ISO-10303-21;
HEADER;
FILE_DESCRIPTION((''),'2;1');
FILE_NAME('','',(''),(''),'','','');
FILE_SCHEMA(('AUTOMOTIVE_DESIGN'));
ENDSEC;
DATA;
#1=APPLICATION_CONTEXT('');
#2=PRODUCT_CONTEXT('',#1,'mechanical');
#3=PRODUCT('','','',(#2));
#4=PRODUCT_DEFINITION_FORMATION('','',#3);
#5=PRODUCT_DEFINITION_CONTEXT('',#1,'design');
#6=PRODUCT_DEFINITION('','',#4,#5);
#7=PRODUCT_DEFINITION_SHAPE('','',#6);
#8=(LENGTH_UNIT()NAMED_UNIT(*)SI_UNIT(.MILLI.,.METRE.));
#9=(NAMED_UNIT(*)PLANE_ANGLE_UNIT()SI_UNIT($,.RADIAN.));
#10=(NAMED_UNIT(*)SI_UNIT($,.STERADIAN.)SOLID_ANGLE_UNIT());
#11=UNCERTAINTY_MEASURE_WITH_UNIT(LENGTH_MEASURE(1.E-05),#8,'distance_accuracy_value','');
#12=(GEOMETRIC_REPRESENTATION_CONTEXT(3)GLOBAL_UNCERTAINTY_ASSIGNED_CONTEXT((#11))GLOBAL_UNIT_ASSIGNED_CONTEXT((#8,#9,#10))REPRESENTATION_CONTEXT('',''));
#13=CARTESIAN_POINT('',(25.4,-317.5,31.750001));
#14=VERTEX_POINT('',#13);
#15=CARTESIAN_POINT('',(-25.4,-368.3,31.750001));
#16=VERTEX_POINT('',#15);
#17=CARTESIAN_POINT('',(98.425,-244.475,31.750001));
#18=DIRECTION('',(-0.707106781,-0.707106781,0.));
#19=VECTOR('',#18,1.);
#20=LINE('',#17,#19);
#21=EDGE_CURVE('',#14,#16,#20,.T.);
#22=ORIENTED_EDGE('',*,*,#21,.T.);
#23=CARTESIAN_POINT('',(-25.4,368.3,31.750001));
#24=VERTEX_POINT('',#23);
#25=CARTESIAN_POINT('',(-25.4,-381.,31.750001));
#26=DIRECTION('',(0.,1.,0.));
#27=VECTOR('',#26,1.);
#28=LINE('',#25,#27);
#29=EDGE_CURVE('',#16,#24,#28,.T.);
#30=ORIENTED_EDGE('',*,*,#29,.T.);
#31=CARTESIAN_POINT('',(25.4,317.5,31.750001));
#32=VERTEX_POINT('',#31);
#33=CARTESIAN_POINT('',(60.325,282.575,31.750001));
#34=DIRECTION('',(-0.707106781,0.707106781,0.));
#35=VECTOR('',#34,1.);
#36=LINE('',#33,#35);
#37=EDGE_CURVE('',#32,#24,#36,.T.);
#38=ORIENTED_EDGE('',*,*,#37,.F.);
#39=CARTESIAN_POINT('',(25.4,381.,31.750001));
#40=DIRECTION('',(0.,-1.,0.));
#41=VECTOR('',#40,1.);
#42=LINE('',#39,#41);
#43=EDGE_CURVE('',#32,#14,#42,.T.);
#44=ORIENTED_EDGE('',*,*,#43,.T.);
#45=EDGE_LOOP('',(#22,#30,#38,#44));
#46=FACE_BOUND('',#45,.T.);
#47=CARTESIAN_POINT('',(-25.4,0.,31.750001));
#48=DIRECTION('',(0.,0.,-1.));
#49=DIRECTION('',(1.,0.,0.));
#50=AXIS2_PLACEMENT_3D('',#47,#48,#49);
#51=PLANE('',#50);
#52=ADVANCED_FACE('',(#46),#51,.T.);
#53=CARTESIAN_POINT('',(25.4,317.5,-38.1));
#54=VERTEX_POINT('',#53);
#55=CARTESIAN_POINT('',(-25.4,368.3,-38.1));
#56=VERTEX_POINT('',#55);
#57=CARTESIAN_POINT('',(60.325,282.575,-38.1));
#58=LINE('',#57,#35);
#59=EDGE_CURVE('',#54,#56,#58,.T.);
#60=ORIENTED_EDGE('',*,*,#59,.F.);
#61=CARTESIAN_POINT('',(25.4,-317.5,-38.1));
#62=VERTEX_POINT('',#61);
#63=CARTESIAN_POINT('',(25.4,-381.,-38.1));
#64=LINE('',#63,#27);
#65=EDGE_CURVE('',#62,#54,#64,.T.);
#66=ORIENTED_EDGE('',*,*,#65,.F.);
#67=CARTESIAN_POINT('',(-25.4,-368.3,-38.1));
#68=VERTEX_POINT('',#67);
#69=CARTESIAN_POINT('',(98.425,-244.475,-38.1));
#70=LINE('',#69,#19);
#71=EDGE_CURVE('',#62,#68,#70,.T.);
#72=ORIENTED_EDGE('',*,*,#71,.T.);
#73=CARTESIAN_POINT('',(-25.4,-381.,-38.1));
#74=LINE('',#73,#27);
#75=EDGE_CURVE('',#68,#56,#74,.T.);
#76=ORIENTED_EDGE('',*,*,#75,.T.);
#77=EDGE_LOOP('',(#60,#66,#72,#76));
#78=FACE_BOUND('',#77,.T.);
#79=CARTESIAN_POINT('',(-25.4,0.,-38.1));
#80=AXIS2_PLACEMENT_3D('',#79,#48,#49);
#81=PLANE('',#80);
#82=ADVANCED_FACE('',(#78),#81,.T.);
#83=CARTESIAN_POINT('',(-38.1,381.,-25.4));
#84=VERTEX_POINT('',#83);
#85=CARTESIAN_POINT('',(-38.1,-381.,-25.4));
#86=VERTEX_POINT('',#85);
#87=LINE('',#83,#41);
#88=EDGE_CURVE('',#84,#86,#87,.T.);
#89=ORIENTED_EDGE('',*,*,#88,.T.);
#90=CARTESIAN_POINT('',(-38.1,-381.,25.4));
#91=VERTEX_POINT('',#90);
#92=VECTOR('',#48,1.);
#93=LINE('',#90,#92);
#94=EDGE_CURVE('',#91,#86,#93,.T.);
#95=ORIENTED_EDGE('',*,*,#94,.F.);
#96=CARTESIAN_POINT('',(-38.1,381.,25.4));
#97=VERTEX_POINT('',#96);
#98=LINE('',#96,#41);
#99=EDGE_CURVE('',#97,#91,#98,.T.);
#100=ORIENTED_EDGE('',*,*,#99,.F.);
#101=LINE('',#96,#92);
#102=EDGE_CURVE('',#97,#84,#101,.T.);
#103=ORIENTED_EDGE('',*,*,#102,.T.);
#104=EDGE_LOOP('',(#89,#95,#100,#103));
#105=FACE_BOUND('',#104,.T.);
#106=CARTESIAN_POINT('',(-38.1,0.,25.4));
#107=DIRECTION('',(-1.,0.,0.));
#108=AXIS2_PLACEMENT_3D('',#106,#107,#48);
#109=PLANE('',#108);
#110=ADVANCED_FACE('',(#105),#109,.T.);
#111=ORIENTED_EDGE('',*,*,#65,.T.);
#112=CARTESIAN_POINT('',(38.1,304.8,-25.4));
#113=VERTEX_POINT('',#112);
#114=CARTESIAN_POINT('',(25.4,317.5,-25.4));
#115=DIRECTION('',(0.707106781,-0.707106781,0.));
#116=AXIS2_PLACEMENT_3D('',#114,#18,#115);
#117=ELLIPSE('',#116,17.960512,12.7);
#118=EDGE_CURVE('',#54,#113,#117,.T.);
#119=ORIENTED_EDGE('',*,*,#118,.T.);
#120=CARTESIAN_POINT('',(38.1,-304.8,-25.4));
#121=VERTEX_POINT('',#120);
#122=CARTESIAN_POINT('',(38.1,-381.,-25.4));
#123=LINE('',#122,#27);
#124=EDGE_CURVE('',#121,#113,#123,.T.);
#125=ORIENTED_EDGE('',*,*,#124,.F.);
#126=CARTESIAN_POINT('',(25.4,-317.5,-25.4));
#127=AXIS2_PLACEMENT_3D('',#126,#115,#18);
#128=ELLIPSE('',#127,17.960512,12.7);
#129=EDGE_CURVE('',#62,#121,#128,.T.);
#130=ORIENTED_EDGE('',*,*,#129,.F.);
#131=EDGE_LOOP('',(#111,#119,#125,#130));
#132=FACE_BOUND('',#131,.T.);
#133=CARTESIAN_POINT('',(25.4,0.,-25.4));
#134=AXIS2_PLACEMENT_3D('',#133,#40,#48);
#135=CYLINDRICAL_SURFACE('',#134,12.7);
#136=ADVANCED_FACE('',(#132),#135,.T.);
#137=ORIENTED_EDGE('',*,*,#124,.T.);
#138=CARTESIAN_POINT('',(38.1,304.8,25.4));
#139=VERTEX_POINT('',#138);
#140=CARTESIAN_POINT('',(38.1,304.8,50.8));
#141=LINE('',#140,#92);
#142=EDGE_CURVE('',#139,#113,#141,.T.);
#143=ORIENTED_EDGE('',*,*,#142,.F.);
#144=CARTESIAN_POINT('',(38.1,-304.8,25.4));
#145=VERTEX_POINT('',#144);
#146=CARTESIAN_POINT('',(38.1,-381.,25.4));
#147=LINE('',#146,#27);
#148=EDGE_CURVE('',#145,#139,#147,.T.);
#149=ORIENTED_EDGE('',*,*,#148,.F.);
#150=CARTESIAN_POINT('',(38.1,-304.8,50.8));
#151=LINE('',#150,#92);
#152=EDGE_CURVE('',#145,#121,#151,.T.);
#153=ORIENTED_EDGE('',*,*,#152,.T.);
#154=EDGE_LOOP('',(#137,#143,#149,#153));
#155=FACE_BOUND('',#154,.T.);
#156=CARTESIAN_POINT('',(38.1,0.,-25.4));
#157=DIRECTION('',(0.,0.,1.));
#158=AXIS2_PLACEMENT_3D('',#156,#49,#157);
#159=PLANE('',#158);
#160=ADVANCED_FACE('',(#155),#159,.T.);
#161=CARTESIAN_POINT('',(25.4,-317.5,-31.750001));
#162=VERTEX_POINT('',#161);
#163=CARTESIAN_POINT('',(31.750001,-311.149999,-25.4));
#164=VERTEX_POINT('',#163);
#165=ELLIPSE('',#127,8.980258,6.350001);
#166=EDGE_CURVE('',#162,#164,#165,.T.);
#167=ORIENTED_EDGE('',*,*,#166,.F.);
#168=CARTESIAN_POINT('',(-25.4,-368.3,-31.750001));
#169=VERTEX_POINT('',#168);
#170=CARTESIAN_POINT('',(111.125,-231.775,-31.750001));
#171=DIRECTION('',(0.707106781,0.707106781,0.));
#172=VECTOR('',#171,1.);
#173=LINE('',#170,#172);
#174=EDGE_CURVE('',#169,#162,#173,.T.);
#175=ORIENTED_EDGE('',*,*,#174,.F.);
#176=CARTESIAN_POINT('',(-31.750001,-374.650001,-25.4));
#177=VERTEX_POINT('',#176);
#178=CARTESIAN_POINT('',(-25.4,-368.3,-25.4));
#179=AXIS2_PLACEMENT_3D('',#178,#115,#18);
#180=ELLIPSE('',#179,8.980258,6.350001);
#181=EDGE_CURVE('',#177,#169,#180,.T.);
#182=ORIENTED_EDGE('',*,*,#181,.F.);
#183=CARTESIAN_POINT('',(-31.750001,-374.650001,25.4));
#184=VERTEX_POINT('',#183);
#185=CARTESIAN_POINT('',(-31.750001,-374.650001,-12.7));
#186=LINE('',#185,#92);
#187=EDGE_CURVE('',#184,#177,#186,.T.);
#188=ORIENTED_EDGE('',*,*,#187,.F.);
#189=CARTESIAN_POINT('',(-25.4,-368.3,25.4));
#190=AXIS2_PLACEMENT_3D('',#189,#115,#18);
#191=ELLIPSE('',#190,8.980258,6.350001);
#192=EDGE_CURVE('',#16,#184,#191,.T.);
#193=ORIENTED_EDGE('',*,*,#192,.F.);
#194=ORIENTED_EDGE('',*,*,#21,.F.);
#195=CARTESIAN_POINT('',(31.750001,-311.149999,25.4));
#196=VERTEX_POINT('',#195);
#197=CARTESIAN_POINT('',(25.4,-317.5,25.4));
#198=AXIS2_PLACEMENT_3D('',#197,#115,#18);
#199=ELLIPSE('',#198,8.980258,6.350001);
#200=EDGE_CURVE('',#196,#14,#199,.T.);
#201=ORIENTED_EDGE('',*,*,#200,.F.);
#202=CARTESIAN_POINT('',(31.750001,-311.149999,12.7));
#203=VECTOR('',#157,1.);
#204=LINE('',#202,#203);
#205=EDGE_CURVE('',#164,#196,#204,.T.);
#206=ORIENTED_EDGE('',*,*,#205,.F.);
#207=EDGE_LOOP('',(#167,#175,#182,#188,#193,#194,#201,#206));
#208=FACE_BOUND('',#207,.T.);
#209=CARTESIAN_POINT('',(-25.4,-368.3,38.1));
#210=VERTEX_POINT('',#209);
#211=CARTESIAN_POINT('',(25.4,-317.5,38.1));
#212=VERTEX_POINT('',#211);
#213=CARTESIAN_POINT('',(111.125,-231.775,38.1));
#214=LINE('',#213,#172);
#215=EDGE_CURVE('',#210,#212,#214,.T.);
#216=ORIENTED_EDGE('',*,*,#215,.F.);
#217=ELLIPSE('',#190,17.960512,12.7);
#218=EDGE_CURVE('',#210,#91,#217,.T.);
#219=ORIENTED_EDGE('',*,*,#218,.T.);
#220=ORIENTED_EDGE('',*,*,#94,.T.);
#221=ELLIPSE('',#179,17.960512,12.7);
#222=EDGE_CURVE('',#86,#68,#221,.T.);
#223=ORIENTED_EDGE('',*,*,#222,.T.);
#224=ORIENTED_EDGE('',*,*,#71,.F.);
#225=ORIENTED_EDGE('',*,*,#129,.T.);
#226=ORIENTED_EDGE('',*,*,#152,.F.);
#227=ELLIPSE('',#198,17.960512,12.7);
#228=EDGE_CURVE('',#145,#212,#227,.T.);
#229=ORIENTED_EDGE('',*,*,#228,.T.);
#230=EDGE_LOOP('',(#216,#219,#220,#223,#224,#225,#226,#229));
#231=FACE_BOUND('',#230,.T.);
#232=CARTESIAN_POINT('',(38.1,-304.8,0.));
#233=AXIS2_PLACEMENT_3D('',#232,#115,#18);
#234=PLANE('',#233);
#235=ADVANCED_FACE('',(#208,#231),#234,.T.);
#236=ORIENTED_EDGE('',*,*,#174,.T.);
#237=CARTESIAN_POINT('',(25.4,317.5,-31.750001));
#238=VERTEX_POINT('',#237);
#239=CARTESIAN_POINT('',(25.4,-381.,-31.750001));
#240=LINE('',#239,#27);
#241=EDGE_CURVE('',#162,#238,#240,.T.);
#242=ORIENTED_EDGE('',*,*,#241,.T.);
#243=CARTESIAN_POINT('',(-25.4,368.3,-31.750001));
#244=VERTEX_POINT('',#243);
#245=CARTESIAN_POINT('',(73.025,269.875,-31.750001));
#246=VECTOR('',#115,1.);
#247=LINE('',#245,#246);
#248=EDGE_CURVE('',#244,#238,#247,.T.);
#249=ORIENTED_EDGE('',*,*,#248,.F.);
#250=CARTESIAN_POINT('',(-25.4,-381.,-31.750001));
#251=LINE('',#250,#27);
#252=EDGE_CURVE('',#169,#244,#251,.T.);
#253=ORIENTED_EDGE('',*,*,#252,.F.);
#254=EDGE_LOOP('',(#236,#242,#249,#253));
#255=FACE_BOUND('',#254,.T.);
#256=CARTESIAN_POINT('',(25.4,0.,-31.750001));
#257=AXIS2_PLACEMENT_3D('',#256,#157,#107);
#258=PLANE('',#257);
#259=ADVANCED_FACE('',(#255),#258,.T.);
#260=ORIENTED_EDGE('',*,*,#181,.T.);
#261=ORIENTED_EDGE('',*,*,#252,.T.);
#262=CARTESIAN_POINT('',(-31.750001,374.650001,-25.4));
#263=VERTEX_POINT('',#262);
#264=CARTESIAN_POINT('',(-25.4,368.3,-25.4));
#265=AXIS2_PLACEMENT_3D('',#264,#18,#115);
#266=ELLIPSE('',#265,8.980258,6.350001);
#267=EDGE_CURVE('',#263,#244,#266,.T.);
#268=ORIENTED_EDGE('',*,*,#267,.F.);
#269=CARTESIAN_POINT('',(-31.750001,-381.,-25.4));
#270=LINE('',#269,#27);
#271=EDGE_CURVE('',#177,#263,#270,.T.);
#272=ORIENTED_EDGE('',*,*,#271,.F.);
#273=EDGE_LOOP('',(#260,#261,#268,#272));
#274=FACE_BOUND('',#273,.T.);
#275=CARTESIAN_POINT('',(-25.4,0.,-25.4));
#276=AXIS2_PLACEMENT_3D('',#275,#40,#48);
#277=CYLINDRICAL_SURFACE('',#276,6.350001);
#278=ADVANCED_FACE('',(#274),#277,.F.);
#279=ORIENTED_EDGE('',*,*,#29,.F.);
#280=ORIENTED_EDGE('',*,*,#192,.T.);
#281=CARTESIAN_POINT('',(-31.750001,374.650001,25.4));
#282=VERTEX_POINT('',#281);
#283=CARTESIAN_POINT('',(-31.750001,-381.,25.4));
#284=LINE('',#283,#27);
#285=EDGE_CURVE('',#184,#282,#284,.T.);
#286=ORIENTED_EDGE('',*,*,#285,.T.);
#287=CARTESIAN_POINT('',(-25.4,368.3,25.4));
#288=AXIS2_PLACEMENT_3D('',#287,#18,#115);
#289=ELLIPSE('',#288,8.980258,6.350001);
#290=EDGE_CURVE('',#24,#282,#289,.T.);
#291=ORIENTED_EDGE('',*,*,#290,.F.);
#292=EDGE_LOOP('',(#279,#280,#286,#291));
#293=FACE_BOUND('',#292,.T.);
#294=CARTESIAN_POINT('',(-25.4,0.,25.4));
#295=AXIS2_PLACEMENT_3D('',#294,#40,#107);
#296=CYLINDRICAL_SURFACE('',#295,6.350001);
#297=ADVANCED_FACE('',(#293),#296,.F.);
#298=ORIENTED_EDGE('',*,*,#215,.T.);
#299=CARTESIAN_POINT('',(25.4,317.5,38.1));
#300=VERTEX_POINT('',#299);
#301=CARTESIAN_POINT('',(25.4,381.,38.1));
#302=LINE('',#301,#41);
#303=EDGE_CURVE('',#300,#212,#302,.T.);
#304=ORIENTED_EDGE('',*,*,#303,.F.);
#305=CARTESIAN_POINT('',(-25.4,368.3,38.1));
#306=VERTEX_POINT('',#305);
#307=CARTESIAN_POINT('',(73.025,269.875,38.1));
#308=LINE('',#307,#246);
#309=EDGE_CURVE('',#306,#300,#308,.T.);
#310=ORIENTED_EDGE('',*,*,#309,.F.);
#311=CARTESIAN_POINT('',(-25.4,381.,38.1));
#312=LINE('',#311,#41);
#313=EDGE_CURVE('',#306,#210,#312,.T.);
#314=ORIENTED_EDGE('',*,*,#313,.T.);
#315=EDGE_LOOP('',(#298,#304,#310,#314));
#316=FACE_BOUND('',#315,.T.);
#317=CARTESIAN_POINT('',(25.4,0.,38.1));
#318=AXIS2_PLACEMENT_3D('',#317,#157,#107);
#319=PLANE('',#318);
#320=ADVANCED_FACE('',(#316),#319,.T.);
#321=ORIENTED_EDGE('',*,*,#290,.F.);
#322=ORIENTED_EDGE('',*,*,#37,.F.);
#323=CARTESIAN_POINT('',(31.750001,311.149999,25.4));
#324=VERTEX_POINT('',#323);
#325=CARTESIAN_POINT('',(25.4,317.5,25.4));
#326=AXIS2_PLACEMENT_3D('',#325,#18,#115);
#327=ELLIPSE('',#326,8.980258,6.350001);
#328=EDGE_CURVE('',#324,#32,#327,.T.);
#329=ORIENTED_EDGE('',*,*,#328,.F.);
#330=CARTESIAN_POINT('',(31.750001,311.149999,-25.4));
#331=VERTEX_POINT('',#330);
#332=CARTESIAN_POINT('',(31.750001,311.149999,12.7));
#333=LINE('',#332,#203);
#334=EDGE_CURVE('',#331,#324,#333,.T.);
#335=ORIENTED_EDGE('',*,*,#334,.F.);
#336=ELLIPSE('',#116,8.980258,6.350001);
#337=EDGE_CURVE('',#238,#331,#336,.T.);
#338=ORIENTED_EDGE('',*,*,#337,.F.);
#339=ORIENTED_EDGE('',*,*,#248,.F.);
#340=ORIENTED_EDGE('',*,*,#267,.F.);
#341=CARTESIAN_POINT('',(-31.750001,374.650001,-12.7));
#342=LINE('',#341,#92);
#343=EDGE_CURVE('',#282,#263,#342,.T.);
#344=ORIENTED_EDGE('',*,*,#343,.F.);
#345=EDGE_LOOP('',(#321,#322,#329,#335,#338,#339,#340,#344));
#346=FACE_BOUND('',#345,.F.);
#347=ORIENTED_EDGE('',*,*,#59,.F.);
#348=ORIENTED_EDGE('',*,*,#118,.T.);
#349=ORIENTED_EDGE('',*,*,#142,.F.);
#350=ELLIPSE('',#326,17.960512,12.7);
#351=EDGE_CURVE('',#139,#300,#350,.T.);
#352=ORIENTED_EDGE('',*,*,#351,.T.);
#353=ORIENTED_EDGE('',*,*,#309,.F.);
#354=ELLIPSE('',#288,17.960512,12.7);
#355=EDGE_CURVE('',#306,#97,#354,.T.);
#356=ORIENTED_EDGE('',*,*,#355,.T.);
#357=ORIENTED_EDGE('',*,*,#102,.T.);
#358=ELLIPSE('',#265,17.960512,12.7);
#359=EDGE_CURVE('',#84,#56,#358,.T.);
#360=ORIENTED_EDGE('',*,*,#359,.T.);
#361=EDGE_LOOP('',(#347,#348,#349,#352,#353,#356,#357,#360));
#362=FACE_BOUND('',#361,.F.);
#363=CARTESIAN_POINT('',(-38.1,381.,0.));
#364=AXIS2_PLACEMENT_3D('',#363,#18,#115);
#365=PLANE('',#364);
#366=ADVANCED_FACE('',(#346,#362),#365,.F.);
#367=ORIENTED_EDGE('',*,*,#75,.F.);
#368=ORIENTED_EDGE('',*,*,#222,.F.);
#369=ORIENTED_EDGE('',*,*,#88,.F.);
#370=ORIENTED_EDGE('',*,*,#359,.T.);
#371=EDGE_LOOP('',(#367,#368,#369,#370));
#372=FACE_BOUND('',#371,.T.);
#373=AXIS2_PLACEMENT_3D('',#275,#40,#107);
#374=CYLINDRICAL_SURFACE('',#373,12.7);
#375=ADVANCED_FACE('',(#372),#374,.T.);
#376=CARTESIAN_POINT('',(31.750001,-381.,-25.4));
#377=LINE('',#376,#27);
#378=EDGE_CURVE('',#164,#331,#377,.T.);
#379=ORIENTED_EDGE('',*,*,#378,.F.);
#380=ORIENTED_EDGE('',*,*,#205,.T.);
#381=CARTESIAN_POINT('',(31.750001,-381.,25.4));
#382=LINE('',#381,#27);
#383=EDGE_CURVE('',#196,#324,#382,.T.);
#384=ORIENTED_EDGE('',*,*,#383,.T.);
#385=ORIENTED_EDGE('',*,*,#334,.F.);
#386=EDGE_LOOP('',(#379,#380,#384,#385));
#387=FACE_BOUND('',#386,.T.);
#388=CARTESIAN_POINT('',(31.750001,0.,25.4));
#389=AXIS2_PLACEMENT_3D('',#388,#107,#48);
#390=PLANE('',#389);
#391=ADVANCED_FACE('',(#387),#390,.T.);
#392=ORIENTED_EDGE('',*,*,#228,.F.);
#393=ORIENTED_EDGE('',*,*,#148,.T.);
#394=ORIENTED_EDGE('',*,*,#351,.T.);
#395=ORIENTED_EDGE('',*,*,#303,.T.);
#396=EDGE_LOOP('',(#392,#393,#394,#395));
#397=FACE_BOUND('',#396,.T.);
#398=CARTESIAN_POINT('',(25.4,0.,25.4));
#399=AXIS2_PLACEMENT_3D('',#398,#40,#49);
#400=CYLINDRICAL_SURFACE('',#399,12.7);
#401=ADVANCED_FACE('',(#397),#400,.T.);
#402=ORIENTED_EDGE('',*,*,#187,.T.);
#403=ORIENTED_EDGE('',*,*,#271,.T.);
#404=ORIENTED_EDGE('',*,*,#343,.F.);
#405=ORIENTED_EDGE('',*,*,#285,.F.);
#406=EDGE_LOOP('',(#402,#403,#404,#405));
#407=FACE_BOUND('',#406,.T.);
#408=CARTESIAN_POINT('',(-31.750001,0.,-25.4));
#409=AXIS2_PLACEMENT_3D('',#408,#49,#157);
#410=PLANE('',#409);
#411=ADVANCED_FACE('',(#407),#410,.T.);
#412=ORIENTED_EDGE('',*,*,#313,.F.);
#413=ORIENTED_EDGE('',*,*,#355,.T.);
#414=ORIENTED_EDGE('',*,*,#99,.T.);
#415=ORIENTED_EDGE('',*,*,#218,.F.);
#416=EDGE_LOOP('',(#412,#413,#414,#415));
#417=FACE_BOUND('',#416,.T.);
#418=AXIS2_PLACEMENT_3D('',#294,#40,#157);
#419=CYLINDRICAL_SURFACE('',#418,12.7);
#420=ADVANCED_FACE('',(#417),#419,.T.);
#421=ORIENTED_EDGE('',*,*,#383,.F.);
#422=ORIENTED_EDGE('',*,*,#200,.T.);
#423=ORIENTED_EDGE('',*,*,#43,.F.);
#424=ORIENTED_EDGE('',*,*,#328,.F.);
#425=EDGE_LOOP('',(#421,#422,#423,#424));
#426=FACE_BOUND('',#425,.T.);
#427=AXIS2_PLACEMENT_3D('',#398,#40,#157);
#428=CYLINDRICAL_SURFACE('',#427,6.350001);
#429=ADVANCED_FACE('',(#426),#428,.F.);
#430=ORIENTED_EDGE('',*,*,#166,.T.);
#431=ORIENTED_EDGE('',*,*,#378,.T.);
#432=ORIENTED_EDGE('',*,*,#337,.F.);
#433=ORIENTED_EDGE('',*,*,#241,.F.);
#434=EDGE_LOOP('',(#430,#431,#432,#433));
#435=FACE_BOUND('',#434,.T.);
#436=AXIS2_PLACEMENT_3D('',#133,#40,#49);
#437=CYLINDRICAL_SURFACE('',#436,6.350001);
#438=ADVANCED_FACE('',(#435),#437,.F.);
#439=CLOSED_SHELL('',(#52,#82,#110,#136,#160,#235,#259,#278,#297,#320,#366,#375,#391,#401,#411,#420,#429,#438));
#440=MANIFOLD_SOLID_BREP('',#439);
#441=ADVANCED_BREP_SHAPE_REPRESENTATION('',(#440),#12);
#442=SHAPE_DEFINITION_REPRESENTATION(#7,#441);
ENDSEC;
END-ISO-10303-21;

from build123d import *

# Parameters (mm, degrees)
F1_DEPTH = 381
F3_DEPTH = 50.8


with BuildPart() as f1:
    # F0 (on Front) → F1 (new body, symmetric)
    with BuildSketch(Plane.XZ):
        with BuildLine():
            ThreePointArc((38.1, 25.4), (34.3802561211, 34.3802561211), (25.4, 38.1))
            Line((25.4, 38.1), (-25.4, 38.1))
            ThreePointArc((-25.4, 38.1), (-34.3802561211, 34.3802561211), (-38.1, 25.4))
            Line((-38.1, 25.4), (-38.1, -25.4))
            ThreePointArc((-38.1, -25.4), (-34.3802561211, -34.3802561211), (-25.4, -38.1))
            Line((-25.4, -38.1), (25.4, -38.1))
            ThreePointArc((25.4, -38.1), (34.3802561211, -34.3802561211), (38.1, -25.4))
            Line((38.1, -25.4), (38.1, 25.4))
        make_face()
        with BuildLine():
            ThreePointArc((25.4, 31.7500010133), (29.890128777, 29.890128777), (31.7500010133, 25.4))
            Line((31.7500010133, 25.4), (31.7500010133, -25.4))
            ThreePointArc((31.7500010133, -25.4), (29.890128777, -29.890128777), (25.4, -31.7500010133))
            Line((25.4, -31.7500010133), (-25.4, -31.7500010133))
            ThreePointArc((-25.4, -31.7500010133), (-29.890128777, -29.890128777), (-31.7500010133, -25.4))
            Line((-31.7500010133, -25.4), (-31.7500010133, 25.4))
            ThreePointArc((-31.7500010133, 25.4), (-29.890128777, 29.890128777), (-25.4, 31.7500010133))
            Line((-25.4, 31.7500010133), (25.4, 31.7500010133))
        make_face(mode=Mode.SUBTRACT)
    extrude(amount=F1_DEPTH, both=True)

    # F2 (on Top) → F3 (cut, symmetric)
    with BuildSketch(Plane.XY):
        Polygon((38.1, -304.8), (-38.1, -381), (38.1, -381), align=None)
        Polygon((38.1, 381), (-38.1, 381), (38.1, 304.8), align=None)
    extrude(amount=F3_DEPTH, both=True, mode=Mode.SUBTRACT)


solid = f1.part
